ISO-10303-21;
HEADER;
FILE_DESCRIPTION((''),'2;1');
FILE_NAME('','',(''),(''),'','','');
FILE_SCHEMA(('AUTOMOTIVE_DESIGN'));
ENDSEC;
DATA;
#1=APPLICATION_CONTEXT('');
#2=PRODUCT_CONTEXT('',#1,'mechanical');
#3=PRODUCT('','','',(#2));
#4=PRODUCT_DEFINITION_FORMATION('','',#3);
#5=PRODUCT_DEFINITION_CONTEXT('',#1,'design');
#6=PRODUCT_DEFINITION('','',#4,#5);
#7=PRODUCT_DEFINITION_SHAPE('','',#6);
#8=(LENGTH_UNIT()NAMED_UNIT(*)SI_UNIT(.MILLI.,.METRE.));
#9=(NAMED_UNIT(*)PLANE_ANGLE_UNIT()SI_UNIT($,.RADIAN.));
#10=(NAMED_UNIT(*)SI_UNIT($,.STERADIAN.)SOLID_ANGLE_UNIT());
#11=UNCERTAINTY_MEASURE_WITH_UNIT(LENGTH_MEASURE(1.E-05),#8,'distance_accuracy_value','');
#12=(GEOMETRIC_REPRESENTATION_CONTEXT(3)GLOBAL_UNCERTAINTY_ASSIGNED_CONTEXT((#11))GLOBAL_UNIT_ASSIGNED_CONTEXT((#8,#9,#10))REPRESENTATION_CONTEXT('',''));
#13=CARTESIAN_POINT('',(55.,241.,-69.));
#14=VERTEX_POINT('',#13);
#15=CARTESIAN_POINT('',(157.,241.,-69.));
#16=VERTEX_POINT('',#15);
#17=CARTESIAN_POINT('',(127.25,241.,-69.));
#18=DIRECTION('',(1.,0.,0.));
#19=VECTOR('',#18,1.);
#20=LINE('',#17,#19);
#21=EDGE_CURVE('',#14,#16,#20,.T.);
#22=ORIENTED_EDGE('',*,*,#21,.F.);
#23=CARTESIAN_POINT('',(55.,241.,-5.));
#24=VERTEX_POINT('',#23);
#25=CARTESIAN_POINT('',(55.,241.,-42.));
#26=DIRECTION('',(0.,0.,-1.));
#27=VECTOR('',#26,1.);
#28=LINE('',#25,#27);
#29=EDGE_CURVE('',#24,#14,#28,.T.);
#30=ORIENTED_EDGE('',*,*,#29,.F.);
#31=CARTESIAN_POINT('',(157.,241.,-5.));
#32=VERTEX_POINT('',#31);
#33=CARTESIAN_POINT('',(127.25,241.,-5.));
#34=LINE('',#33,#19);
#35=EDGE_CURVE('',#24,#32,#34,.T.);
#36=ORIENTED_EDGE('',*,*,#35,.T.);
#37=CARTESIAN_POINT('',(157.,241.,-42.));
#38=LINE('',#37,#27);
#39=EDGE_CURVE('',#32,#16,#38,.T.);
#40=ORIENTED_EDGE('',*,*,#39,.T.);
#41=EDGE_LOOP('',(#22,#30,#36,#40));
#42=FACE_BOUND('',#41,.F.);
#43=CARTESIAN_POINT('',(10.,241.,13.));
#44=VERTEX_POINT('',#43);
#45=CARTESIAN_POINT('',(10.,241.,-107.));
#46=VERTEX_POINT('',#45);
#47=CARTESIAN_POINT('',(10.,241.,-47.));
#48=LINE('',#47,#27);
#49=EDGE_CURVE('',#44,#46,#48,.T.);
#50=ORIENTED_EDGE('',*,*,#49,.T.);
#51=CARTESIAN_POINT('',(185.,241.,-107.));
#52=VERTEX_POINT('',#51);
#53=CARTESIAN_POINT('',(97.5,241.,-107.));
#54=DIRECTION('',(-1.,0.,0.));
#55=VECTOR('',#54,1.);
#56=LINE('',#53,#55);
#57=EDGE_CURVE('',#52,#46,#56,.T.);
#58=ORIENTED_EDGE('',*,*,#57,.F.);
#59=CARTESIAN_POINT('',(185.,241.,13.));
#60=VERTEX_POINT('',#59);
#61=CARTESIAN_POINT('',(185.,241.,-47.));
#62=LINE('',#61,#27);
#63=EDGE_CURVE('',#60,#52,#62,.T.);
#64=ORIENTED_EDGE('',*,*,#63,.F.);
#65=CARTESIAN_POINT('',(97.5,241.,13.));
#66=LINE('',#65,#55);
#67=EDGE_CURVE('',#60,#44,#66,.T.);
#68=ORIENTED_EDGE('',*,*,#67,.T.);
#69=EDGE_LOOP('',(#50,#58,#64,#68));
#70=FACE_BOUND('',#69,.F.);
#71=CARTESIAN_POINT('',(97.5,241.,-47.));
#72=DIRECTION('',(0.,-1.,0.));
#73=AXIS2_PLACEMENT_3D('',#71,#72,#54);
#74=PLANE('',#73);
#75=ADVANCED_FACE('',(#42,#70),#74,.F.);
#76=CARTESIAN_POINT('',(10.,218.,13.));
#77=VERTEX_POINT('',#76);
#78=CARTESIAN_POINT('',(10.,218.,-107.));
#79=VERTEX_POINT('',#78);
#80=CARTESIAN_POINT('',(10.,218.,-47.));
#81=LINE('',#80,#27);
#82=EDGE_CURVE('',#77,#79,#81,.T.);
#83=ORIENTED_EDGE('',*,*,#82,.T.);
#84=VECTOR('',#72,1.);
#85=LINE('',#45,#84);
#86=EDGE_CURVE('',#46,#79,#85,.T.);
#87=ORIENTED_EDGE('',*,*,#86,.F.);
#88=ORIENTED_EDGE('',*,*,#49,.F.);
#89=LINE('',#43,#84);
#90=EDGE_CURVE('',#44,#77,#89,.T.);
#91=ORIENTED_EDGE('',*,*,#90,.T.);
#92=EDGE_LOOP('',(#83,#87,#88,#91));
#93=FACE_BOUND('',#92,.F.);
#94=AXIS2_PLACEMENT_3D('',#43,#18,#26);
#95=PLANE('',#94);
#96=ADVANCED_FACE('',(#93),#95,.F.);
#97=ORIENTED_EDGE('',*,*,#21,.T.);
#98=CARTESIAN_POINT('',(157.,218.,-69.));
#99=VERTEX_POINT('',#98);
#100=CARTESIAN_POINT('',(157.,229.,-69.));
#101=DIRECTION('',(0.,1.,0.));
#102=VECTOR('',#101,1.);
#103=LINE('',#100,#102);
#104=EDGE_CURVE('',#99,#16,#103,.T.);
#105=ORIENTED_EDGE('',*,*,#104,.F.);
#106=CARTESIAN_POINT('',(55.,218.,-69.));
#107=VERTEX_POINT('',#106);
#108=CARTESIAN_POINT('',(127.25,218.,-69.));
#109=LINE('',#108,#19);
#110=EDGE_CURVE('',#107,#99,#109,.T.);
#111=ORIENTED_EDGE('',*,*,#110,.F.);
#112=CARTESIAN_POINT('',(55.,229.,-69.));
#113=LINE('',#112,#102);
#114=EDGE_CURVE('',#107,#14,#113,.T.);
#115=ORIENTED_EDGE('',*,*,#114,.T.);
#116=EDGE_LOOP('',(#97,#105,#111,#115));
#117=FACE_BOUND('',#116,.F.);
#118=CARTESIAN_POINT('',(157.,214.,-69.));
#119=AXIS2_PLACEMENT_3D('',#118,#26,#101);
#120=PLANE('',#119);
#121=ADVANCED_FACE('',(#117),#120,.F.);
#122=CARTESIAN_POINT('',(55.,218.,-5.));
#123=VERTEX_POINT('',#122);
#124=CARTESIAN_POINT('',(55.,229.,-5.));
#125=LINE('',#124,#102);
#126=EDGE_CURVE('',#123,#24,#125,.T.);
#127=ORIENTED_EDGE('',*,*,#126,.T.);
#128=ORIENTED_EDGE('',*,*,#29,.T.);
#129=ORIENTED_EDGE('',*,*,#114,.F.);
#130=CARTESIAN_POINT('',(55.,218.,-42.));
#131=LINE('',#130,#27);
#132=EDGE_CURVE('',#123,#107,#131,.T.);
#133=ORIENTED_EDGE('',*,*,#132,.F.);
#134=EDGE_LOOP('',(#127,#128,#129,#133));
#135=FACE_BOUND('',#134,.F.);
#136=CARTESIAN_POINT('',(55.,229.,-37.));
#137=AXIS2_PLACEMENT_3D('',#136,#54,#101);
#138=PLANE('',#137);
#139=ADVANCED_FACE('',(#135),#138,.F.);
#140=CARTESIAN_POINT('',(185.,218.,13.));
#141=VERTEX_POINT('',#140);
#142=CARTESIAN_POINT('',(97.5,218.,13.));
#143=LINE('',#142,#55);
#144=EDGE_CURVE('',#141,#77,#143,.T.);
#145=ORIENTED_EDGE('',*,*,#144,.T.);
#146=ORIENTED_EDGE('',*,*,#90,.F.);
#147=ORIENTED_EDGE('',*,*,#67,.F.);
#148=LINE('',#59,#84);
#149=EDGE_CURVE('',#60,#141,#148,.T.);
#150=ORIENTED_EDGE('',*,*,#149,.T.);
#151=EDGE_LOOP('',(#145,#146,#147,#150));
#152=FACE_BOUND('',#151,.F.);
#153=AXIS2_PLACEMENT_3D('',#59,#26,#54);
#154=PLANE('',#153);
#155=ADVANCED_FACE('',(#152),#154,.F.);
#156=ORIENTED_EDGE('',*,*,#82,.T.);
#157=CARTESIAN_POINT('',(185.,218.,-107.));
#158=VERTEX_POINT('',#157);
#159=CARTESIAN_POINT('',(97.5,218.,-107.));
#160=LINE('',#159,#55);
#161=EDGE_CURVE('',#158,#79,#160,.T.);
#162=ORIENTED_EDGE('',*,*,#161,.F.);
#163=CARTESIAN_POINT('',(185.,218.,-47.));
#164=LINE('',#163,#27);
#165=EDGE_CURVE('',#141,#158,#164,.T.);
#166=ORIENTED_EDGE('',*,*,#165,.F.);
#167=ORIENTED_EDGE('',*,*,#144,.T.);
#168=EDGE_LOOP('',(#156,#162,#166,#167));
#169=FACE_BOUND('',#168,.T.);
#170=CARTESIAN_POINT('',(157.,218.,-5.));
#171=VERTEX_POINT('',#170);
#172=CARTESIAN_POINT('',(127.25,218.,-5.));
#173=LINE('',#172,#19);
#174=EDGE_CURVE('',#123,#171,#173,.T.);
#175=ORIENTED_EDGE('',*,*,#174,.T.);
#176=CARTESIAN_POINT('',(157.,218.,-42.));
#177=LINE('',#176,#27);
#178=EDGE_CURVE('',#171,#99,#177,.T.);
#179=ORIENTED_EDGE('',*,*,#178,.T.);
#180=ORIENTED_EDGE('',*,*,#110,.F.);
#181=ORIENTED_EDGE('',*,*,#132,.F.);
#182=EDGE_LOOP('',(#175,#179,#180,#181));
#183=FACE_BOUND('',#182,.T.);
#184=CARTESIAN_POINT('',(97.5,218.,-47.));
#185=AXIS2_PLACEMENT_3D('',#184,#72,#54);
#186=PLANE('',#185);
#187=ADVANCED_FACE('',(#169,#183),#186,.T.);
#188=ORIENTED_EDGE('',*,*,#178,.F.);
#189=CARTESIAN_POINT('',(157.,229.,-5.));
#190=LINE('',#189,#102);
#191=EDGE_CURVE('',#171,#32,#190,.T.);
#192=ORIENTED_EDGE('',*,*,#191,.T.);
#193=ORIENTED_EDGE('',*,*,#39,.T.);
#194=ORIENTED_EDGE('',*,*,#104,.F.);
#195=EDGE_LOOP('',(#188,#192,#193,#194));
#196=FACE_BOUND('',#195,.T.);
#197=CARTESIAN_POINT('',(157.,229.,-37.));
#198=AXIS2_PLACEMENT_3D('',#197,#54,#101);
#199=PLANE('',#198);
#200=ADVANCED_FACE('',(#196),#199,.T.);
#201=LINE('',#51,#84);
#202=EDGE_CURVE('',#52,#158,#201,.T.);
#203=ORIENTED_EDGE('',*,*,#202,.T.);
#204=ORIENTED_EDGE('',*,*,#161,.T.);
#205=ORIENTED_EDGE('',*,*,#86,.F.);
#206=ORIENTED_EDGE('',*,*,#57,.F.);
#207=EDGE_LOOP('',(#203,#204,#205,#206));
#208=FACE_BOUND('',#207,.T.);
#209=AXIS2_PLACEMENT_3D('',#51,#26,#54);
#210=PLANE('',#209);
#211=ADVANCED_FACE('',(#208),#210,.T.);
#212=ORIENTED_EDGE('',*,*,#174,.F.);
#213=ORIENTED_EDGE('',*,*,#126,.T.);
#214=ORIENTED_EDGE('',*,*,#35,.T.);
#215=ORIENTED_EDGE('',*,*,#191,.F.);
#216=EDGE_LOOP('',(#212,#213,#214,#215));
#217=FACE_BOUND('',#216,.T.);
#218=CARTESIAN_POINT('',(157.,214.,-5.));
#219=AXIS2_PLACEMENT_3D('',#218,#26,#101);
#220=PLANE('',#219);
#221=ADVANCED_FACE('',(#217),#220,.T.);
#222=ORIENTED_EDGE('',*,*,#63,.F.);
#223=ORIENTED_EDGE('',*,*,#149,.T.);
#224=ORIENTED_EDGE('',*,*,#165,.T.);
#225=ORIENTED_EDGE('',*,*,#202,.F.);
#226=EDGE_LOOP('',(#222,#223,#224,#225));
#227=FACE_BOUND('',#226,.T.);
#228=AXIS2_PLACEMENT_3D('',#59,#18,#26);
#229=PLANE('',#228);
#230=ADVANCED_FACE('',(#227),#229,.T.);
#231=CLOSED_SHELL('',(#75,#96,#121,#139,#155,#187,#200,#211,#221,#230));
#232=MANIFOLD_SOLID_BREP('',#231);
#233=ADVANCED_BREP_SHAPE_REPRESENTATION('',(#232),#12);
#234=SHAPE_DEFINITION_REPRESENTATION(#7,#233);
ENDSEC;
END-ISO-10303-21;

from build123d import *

# Parameters (mm, degrees)
BOX043_W               = 30
BOX043_H               = 64
BOX043_DEPTH           = 102
BOX042_W               = 175
BOX042_H               = 120
BOX042_DEPTH           = 23
CUT013_ROLL_ANGLE      = -90
CUT013_PLACEMENT_ANGLE = -180


with BuildPart() as cube038:
    # Box043 → Box043 (new body)
    with BuildSketch(Plane(origin=(28, 18, 27), x_dir=(0, 0, -1), z_dir=(1, 0, 0))):
        with Locations((15, 32)):
            Rectangle(BOX043_W, BOX043_H)
    extrude(amount=BOX043_DEPTH)


with BuildPart() as graflok_spacer:
    # Box042 → Box042 (new body)
    with BuildSketch(Plane.XY):
        with Locations((87.5, 60)):
            Rectangle(BOX042_W, BOX042_H)
    extrude(amount=BOX042_DEPTH)

    # Cut013: cut Cube038
    add(cube038.part, mode=Mode.SUBTRACT)


with BuildPart() as graflok_spacer_1:
    # Cut013 roll: moved
    add(graflok_spacer.part.rotate(Axis((0, 0, 0), (1, 0, 0)), CUT013_ROLL_ANGLE))


with BuildPart() as graflok_spacer_2:
    # Cut013 placement: moved
    add(graflok_spacer_1.part.moved(Location((185, 241, 13))).rotate(Axis((185, 241, 13), (0, 0, 1)), CUT013_PLACEMENT_ANGLE))


solid = graflok_spacer_2.part
